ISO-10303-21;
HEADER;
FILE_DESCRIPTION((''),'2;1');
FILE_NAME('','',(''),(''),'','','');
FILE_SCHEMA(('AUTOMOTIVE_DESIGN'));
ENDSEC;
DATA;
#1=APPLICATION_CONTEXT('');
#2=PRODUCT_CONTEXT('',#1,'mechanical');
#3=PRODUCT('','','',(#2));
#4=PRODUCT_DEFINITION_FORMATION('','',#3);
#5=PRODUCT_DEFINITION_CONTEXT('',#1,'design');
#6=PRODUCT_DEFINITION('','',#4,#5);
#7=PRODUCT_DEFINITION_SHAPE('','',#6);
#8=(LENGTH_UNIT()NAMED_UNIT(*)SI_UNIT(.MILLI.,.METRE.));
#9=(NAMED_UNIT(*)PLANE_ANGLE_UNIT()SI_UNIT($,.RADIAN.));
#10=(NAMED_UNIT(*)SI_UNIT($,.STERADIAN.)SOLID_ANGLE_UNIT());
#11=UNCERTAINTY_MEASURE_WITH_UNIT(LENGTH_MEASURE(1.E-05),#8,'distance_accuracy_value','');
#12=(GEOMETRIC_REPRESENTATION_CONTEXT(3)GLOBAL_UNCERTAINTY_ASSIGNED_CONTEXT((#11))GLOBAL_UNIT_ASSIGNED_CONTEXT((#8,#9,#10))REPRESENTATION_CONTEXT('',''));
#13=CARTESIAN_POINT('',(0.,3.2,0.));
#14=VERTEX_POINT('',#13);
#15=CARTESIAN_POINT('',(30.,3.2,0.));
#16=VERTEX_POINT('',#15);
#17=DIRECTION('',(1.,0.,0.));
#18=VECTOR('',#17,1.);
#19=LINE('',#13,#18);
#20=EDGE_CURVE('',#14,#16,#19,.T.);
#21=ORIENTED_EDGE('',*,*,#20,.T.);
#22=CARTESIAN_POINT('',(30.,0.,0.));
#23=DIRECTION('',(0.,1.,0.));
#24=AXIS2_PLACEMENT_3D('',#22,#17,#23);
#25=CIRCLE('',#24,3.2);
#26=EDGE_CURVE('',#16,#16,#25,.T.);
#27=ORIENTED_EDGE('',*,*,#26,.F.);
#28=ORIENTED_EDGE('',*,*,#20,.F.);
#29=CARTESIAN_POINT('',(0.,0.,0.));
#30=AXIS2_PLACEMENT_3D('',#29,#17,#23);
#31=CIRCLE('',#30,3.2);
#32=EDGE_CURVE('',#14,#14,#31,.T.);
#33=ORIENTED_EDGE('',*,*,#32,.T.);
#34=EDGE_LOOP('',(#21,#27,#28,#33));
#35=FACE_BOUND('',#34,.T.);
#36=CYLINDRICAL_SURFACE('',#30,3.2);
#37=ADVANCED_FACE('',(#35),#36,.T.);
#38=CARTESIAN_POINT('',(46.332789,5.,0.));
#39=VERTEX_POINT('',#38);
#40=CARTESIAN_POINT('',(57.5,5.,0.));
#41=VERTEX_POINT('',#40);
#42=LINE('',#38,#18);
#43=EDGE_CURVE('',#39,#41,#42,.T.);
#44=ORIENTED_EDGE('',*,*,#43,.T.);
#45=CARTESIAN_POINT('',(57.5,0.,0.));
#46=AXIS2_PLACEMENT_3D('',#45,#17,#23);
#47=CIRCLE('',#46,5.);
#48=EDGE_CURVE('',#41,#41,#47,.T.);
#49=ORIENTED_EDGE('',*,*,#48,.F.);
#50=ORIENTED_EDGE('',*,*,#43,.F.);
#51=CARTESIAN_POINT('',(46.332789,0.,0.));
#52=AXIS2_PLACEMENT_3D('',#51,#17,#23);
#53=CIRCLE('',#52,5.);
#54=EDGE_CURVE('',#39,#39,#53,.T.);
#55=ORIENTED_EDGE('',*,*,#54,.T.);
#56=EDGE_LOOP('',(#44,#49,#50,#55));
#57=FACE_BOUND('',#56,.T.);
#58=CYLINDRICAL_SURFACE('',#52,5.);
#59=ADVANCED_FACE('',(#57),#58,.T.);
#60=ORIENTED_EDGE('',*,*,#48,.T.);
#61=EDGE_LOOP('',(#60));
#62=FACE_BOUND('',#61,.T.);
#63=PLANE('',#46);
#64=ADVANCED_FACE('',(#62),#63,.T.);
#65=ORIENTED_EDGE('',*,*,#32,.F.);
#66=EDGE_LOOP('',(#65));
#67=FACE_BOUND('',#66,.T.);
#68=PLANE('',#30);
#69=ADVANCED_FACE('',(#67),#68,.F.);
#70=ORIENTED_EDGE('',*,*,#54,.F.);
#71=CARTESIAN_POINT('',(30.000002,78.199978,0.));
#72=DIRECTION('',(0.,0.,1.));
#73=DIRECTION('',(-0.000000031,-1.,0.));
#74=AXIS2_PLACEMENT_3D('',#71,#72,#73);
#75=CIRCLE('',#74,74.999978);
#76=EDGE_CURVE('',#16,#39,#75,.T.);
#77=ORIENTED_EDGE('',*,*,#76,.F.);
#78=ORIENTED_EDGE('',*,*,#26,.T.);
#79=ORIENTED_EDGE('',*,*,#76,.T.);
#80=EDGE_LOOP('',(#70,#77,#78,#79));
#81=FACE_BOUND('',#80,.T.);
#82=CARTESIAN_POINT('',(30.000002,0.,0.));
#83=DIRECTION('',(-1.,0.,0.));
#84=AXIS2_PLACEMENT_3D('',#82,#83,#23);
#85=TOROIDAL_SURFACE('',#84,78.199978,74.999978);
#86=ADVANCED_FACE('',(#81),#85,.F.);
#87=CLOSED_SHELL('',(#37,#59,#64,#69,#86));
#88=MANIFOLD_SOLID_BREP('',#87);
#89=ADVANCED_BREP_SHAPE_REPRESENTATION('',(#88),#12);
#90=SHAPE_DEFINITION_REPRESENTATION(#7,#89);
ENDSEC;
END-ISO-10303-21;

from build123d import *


with BuildPart() as part:
    # Sketch → Revolution (revolve)
    with BuildSketch(Plane.XY):
        with BuildLine():
            Line((0, 0), (0, 3.2))
            Line((0, 3.2), (30, 3.2))
            ThreePointArc((30, 3.2), (38.215838, 3.651358), (46.332789, 5))
            Line((46.332789, 5), (57.5, 5))
            Line((57.5, 5), (57.5, 0))
            Line((57.5, 0), (0, 0))
        make_face()
    revolve(axis=Axis((0, 0, 0), (1, 0, 0)))


solid = part.part
